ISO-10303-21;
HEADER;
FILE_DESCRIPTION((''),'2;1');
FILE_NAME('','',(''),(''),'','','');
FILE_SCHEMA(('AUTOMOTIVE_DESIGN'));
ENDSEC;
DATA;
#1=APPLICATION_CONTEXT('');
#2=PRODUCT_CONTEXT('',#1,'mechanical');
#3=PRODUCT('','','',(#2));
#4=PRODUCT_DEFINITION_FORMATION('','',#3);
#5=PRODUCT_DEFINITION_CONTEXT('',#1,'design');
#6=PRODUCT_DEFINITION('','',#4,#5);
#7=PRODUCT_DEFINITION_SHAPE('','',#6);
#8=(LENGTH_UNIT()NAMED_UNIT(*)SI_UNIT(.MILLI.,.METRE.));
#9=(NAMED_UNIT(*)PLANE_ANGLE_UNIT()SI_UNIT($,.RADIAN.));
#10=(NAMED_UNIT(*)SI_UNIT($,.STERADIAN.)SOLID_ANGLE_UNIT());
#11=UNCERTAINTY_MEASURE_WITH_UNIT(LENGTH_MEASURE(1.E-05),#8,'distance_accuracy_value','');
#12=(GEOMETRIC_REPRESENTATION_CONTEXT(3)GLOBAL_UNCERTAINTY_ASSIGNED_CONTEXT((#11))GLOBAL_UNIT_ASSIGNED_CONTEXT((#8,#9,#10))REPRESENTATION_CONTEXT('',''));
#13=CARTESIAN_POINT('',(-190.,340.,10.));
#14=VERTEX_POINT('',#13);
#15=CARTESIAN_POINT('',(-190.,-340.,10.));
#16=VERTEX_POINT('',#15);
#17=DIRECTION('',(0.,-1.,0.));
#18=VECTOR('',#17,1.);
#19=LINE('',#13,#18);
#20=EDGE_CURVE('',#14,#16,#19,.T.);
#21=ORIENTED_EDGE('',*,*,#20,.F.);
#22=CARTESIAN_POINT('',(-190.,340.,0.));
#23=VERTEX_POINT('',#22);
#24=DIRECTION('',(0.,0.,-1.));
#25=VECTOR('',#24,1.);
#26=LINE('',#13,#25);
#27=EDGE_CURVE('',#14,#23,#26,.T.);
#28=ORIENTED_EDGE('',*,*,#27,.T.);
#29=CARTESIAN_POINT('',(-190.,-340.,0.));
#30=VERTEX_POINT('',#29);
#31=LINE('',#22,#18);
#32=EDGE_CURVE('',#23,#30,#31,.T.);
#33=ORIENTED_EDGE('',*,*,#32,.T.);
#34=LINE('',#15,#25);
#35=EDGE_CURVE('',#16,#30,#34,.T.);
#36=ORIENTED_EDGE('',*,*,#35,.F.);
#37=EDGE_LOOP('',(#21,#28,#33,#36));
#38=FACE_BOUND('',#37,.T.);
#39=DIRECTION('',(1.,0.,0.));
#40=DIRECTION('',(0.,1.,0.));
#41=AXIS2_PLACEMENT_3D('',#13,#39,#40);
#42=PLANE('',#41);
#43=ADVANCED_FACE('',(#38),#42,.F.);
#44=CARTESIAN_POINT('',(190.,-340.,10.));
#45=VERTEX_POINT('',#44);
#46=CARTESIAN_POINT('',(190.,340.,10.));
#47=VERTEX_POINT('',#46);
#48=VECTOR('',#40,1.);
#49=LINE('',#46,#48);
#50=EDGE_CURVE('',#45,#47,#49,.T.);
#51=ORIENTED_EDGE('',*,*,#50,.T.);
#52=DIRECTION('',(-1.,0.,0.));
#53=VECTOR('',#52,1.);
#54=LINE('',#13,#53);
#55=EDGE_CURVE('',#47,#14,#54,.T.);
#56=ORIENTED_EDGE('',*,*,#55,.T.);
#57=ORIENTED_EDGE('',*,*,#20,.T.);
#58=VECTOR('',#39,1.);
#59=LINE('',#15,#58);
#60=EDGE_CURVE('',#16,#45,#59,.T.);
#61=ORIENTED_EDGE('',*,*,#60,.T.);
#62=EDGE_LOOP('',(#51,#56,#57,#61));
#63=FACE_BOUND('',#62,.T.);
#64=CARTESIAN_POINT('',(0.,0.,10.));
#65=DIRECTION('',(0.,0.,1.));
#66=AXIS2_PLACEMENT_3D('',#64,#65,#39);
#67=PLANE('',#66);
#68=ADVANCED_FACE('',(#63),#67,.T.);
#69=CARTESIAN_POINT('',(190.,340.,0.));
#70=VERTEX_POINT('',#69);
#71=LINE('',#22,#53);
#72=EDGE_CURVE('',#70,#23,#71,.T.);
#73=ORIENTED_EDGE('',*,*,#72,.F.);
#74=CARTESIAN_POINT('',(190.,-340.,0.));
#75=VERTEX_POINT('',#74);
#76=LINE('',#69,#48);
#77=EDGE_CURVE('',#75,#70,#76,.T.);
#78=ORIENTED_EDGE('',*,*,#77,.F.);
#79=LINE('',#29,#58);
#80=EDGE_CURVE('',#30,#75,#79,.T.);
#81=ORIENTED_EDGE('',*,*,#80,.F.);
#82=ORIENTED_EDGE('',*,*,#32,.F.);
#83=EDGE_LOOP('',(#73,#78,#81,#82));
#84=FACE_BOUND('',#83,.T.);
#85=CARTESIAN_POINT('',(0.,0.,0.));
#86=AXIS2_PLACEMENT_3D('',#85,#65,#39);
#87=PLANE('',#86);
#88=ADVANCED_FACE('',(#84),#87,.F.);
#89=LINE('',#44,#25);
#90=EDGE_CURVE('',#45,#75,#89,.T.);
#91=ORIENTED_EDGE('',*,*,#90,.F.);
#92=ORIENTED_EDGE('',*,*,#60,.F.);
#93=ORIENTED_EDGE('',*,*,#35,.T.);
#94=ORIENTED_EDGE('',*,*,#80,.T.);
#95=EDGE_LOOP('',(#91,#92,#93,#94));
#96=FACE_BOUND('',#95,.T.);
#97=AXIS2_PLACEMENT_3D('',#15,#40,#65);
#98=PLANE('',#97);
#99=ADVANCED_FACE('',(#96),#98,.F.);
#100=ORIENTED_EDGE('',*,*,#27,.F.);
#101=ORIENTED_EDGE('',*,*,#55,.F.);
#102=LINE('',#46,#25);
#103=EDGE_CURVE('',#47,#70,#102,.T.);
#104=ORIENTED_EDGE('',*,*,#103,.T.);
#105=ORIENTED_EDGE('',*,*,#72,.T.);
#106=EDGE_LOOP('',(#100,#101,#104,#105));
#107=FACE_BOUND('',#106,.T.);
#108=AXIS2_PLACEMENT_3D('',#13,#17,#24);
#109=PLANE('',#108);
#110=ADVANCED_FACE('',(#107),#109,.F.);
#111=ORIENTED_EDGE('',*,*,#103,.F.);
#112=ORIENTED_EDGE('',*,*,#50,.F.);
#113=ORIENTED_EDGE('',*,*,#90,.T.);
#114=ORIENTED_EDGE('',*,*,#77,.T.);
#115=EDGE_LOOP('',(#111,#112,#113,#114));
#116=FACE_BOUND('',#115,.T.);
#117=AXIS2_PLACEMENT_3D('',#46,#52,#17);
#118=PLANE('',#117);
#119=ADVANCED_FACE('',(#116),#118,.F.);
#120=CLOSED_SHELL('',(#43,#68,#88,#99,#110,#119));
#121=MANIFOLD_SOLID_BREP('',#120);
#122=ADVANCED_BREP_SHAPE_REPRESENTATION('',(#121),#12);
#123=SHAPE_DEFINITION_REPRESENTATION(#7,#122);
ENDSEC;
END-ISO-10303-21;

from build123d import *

# Parameters (mm, degrees)
ESQUISSE1_W        = 380
ESQUISSE1_H        = 680
BOSS_EXTRU_1_DEPTH = 10


with BuildPart() as part:
    # Esquisse1 → Boss.-Extru.1 (new body)
    with BuildSketch(Plane.XY):
        Rectangle(ESQUISSE1_W, ESQUISSE1_H)
    extrude(amount=BOSS_EXTRU_1_DEPTH)


solid = part.part
